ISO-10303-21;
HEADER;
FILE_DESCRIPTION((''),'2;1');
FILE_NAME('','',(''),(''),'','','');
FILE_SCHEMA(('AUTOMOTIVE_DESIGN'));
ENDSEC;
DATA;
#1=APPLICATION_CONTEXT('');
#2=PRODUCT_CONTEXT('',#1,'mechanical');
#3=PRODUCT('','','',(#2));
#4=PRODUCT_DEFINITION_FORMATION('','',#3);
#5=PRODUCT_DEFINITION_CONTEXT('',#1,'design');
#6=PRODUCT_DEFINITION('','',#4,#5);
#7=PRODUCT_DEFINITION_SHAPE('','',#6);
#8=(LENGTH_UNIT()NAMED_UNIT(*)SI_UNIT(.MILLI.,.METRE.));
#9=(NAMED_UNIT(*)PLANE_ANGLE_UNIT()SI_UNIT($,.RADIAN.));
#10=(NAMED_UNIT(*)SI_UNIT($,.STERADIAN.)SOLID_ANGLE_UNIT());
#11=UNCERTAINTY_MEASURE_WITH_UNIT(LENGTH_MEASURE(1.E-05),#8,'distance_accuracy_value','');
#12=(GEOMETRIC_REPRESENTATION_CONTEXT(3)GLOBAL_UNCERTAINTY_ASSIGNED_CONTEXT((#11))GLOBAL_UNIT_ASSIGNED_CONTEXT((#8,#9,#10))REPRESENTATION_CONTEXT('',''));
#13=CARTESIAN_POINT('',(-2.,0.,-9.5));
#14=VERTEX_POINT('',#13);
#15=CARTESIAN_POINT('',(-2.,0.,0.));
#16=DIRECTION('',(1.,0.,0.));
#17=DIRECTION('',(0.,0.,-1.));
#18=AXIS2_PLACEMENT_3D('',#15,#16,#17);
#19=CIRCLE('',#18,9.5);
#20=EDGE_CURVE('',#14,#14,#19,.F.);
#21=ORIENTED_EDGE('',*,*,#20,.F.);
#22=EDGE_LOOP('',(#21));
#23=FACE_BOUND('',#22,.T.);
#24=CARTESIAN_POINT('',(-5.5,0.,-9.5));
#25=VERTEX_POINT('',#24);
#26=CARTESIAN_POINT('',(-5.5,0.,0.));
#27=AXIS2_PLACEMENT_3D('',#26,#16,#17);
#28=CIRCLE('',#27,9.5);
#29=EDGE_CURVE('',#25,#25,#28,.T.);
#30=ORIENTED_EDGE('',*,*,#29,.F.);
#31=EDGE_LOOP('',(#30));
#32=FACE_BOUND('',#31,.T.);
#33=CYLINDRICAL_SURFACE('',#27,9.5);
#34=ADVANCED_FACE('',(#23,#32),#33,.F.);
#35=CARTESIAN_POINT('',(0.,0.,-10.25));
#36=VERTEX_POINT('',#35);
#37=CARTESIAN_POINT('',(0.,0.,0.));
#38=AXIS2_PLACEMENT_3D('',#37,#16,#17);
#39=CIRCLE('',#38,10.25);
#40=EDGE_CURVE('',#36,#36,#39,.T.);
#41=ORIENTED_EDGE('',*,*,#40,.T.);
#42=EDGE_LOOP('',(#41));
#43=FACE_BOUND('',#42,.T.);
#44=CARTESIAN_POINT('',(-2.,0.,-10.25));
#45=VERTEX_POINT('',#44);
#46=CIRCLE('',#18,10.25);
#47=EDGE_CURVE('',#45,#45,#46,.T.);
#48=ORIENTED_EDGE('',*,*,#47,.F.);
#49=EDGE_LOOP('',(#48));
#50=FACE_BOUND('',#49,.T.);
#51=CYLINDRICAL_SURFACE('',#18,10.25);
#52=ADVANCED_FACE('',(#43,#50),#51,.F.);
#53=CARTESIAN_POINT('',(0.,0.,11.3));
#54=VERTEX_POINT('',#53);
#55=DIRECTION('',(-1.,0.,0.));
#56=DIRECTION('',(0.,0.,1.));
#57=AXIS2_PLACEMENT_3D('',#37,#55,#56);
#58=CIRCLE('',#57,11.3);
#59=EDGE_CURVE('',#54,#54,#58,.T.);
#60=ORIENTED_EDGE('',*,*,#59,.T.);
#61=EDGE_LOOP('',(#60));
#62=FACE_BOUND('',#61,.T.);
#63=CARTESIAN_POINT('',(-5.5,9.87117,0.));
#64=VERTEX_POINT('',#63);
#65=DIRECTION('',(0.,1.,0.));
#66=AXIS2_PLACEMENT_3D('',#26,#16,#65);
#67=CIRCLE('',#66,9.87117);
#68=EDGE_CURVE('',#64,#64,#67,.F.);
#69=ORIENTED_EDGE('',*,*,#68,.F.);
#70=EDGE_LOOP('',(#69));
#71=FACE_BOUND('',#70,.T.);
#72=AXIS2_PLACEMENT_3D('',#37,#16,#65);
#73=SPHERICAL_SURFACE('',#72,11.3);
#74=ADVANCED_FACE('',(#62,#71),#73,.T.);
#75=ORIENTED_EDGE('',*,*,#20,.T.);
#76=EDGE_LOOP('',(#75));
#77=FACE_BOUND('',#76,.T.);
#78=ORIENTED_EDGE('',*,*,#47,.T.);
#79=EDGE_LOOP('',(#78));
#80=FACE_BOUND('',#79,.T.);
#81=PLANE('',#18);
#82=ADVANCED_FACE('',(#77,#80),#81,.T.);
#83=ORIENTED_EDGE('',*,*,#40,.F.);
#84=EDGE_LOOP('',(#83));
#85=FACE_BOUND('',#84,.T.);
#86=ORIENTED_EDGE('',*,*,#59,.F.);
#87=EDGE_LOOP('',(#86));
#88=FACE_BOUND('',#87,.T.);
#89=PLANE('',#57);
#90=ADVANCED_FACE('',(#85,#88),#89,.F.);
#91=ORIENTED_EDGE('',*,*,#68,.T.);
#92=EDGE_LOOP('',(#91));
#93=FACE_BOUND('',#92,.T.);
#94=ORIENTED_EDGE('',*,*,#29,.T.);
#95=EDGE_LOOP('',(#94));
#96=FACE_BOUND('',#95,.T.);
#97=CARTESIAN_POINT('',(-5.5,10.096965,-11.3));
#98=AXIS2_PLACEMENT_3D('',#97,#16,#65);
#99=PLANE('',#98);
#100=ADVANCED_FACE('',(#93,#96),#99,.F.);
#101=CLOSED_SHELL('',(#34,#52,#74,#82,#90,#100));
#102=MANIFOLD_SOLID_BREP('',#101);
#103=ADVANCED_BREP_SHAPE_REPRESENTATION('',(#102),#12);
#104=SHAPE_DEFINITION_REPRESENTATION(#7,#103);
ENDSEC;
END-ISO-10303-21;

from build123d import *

# Parameters (mm, degrees)
REVOLVE_1_ANGLE          = 180
CUT_EXTRUDE_3_DEPTH      = 20.572174126
CUT_EXTRUDE_3_DEPTH_BACK = 20.572174126
SKETCH_5_W               = 6
SKETCH_5_H               = 20
SKETCH_11_R              = 9.5
CUT_EXTRUDE_7_DEPTH      = 17.900591706
SKETCH_12_R              = 10.25
CUT_EXTRUDE_8_DEPTH      = 2


with BuildPart() as part:
    # 草图1 → 旋转1 (revolve)
    with BuildSketch(Plane(origin=(0, 0, 0), x_dir=(0, 0, -1), z_dir=(1, 0, 0))):
        with BuildLine():
            Line((0, 11.3), (0, -11.3))
            ThreePointArc((0, -11.3), (-11.3, 0), (0, 11.3))
        make_face()
    revolve(axis=Axis((0, 11.3, 0), (0, -1, 0)), revolution_arc=REVOLVE_1_ANGLE)

    # 草图5 → 切除-拉伸3 (cut, two sides: drawn at the far end of the back side and taken through both)
    with BuildSketch(Plane.XY.offset(-CUT_EXTRUDE_3_DEPTH_BACK)):
        with Locations((-8.5, 0.096965289)):
            Rectangle(SKETCH_5_W, SKETCH_5_H)
    extrude(amount=CUT_EXTRUDE_3_DEPTH + CUT_EXTRUDE_3_DEPTH_BACK, mode=Mode.SUBTRACT)

    # 草图11 → 切除-拉伸7 (cut, through all)
    with BuildSketch(Plane(origin=(0, 0, 0), x_dir=(0, 0, -1), z_dir=(1, 0, 0))):
        Circle(SKETCH_11_R)
    extrude(amount=-CUT_EXTRUDE_7_DEPTH, mode=Mode.SUBTRACT)

    # 草图12 → 切除-拉伸8 (cut)
    with BuildSketch(Plane(origin=(0, 0, 0), x_dir=(0, 0, -1), z_dir=(1, 0, 0))):
        Circle(SKETCH_12_R)
    extrude(amount=-CUT_EXTRUDE_8_DEPTH, mode=Mode.SUBTRACT)


solid = part.part
